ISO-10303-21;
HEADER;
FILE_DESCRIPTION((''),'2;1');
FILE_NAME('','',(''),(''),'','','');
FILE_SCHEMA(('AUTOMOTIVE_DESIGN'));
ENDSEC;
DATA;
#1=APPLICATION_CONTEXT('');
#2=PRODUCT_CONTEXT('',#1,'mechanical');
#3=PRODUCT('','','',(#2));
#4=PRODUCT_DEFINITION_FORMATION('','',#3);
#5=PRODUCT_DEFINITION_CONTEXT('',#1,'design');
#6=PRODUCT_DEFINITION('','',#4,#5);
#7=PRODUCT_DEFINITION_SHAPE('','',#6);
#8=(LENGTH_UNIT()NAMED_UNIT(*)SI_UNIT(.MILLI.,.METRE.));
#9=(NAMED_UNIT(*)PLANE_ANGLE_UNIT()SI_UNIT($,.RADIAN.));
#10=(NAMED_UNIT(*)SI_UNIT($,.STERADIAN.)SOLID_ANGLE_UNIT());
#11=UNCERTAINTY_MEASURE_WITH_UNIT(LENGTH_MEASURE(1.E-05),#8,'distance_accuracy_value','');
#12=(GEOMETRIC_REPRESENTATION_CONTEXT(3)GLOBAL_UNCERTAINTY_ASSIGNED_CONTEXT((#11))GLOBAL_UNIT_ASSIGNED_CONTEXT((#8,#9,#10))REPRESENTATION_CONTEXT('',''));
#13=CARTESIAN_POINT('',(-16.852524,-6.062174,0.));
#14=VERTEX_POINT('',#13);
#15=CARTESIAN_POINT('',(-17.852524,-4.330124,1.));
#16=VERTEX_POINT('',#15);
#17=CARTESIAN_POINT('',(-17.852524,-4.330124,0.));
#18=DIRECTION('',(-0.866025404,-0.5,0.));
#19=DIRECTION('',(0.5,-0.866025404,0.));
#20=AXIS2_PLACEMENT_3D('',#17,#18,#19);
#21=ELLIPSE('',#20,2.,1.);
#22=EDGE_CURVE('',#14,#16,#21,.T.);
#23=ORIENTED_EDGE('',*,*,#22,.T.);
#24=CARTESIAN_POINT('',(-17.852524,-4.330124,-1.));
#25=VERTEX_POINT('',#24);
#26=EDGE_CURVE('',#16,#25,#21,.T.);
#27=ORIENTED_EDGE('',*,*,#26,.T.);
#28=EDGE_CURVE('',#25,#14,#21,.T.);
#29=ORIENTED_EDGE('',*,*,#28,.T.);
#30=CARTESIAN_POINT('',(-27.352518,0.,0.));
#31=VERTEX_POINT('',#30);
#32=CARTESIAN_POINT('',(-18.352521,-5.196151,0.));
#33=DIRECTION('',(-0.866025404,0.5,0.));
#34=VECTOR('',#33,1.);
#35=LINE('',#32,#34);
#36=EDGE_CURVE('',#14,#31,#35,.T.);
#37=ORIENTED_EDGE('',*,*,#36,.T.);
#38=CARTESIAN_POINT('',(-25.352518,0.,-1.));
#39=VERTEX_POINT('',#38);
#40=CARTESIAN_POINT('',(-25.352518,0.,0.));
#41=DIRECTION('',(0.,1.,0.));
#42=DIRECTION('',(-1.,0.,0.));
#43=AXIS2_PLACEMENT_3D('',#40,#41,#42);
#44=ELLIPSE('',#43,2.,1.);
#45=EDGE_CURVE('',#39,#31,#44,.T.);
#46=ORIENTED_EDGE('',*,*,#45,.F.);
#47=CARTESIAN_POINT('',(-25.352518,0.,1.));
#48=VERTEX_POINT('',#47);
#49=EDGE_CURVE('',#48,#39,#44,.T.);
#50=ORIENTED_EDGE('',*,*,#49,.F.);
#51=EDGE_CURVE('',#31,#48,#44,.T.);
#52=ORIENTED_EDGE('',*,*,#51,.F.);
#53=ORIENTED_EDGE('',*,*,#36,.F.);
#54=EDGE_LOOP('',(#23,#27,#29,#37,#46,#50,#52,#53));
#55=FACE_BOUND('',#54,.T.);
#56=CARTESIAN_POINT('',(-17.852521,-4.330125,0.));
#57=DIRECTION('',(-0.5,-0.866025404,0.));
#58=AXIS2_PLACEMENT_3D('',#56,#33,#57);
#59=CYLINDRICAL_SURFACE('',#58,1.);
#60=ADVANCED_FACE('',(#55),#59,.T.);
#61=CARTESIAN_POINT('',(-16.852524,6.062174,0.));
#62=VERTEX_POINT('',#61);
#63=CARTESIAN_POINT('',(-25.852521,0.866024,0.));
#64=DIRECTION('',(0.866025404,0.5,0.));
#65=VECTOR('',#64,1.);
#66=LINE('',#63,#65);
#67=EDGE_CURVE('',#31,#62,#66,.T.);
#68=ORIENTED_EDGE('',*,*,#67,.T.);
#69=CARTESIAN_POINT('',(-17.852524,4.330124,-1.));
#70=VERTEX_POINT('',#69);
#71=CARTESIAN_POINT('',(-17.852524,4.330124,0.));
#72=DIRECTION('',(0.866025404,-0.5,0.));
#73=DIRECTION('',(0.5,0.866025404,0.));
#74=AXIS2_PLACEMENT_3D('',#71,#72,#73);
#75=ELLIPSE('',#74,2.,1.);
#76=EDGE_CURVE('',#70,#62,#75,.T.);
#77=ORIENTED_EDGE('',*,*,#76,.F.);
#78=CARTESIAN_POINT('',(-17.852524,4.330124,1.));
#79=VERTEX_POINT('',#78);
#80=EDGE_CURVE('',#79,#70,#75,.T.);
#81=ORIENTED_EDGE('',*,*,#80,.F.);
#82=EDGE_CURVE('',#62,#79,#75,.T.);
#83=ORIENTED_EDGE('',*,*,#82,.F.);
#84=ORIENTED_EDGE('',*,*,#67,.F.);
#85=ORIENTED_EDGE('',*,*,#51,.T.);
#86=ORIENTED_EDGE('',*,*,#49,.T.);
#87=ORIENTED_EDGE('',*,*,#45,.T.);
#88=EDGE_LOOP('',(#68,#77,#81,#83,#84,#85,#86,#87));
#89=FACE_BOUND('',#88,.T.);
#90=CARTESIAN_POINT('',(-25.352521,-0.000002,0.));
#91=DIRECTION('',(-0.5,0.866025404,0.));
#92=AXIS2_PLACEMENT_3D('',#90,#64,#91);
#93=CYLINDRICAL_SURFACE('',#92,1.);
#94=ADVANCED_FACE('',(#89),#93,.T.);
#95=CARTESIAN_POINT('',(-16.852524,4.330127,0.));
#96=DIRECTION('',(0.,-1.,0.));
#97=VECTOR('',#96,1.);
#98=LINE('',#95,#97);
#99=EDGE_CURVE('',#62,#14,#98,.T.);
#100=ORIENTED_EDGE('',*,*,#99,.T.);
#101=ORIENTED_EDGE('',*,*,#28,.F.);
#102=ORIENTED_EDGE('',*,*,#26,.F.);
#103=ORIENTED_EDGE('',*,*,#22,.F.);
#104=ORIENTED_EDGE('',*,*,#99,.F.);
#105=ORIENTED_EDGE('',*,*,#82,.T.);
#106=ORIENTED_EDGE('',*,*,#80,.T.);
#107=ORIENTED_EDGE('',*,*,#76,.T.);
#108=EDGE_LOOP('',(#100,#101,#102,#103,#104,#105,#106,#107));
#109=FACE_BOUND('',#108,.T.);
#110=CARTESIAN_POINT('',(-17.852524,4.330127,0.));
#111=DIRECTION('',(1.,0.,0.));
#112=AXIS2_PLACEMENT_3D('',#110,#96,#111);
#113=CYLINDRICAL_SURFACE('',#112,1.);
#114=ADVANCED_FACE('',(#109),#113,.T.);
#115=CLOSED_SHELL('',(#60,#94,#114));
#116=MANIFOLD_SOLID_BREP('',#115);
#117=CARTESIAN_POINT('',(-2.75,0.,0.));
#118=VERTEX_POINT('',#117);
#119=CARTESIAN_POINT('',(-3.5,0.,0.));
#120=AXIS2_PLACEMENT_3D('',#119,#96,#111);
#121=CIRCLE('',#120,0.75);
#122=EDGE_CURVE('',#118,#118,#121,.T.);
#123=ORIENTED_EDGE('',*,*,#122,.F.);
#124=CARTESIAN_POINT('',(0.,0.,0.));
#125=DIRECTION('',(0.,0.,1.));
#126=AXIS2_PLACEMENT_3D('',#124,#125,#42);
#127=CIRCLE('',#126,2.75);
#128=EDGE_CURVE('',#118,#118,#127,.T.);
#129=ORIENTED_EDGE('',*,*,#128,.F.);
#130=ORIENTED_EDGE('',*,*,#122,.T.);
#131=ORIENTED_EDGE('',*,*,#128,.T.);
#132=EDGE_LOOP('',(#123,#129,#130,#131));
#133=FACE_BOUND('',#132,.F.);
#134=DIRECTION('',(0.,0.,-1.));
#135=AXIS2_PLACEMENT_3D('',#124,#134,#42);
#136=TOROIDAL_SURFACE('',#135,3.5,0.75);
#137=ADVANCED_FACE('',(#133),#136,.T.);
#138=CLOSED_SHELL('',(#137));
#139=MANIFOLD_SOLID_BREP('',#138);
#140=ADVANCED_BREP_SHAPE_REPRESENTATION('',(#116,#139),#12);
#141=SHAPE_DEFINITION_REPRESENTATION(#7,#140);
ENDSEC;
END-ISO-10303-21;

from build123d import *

# Parameters (mm, degrees)
F0_R = 0.75
F3_R = 1


with BuildPart() as f1:
    # F0 (on Front) → F1 (revolve)
    with BuildSketch(Plane.XZ):
        with Locations((-3.5, 0)):
            Circle(F0_R)
    revolve(axis=Axis((0, 0, 0.4413176794), (0, 0, 1)))


with BuildPart() as f4:
    # F4: sweep along a path in F2
    with BuildLine(Plane.XY) as f4_path:
        Line((-25.3525223394, 0), (-17.8525223394, 4.3301270189))
        Line((-17.8525223394, 4.3301270189), (-17.8525223394, -4.3301270189))
        Line((-17.8525223394, -4.3301270189), (-25.3525223394, 0))
    # F3 (on Front) → F4 (sweep)
    with BuildSketch(Plane.XZ):
        with Locations((-17.8525242954, 0)):
            Circle(F3_R)
    sweep(path=f4_path.line, transition=Transition.RIGHT)


solid = Compound([f1.part, f4.part])
